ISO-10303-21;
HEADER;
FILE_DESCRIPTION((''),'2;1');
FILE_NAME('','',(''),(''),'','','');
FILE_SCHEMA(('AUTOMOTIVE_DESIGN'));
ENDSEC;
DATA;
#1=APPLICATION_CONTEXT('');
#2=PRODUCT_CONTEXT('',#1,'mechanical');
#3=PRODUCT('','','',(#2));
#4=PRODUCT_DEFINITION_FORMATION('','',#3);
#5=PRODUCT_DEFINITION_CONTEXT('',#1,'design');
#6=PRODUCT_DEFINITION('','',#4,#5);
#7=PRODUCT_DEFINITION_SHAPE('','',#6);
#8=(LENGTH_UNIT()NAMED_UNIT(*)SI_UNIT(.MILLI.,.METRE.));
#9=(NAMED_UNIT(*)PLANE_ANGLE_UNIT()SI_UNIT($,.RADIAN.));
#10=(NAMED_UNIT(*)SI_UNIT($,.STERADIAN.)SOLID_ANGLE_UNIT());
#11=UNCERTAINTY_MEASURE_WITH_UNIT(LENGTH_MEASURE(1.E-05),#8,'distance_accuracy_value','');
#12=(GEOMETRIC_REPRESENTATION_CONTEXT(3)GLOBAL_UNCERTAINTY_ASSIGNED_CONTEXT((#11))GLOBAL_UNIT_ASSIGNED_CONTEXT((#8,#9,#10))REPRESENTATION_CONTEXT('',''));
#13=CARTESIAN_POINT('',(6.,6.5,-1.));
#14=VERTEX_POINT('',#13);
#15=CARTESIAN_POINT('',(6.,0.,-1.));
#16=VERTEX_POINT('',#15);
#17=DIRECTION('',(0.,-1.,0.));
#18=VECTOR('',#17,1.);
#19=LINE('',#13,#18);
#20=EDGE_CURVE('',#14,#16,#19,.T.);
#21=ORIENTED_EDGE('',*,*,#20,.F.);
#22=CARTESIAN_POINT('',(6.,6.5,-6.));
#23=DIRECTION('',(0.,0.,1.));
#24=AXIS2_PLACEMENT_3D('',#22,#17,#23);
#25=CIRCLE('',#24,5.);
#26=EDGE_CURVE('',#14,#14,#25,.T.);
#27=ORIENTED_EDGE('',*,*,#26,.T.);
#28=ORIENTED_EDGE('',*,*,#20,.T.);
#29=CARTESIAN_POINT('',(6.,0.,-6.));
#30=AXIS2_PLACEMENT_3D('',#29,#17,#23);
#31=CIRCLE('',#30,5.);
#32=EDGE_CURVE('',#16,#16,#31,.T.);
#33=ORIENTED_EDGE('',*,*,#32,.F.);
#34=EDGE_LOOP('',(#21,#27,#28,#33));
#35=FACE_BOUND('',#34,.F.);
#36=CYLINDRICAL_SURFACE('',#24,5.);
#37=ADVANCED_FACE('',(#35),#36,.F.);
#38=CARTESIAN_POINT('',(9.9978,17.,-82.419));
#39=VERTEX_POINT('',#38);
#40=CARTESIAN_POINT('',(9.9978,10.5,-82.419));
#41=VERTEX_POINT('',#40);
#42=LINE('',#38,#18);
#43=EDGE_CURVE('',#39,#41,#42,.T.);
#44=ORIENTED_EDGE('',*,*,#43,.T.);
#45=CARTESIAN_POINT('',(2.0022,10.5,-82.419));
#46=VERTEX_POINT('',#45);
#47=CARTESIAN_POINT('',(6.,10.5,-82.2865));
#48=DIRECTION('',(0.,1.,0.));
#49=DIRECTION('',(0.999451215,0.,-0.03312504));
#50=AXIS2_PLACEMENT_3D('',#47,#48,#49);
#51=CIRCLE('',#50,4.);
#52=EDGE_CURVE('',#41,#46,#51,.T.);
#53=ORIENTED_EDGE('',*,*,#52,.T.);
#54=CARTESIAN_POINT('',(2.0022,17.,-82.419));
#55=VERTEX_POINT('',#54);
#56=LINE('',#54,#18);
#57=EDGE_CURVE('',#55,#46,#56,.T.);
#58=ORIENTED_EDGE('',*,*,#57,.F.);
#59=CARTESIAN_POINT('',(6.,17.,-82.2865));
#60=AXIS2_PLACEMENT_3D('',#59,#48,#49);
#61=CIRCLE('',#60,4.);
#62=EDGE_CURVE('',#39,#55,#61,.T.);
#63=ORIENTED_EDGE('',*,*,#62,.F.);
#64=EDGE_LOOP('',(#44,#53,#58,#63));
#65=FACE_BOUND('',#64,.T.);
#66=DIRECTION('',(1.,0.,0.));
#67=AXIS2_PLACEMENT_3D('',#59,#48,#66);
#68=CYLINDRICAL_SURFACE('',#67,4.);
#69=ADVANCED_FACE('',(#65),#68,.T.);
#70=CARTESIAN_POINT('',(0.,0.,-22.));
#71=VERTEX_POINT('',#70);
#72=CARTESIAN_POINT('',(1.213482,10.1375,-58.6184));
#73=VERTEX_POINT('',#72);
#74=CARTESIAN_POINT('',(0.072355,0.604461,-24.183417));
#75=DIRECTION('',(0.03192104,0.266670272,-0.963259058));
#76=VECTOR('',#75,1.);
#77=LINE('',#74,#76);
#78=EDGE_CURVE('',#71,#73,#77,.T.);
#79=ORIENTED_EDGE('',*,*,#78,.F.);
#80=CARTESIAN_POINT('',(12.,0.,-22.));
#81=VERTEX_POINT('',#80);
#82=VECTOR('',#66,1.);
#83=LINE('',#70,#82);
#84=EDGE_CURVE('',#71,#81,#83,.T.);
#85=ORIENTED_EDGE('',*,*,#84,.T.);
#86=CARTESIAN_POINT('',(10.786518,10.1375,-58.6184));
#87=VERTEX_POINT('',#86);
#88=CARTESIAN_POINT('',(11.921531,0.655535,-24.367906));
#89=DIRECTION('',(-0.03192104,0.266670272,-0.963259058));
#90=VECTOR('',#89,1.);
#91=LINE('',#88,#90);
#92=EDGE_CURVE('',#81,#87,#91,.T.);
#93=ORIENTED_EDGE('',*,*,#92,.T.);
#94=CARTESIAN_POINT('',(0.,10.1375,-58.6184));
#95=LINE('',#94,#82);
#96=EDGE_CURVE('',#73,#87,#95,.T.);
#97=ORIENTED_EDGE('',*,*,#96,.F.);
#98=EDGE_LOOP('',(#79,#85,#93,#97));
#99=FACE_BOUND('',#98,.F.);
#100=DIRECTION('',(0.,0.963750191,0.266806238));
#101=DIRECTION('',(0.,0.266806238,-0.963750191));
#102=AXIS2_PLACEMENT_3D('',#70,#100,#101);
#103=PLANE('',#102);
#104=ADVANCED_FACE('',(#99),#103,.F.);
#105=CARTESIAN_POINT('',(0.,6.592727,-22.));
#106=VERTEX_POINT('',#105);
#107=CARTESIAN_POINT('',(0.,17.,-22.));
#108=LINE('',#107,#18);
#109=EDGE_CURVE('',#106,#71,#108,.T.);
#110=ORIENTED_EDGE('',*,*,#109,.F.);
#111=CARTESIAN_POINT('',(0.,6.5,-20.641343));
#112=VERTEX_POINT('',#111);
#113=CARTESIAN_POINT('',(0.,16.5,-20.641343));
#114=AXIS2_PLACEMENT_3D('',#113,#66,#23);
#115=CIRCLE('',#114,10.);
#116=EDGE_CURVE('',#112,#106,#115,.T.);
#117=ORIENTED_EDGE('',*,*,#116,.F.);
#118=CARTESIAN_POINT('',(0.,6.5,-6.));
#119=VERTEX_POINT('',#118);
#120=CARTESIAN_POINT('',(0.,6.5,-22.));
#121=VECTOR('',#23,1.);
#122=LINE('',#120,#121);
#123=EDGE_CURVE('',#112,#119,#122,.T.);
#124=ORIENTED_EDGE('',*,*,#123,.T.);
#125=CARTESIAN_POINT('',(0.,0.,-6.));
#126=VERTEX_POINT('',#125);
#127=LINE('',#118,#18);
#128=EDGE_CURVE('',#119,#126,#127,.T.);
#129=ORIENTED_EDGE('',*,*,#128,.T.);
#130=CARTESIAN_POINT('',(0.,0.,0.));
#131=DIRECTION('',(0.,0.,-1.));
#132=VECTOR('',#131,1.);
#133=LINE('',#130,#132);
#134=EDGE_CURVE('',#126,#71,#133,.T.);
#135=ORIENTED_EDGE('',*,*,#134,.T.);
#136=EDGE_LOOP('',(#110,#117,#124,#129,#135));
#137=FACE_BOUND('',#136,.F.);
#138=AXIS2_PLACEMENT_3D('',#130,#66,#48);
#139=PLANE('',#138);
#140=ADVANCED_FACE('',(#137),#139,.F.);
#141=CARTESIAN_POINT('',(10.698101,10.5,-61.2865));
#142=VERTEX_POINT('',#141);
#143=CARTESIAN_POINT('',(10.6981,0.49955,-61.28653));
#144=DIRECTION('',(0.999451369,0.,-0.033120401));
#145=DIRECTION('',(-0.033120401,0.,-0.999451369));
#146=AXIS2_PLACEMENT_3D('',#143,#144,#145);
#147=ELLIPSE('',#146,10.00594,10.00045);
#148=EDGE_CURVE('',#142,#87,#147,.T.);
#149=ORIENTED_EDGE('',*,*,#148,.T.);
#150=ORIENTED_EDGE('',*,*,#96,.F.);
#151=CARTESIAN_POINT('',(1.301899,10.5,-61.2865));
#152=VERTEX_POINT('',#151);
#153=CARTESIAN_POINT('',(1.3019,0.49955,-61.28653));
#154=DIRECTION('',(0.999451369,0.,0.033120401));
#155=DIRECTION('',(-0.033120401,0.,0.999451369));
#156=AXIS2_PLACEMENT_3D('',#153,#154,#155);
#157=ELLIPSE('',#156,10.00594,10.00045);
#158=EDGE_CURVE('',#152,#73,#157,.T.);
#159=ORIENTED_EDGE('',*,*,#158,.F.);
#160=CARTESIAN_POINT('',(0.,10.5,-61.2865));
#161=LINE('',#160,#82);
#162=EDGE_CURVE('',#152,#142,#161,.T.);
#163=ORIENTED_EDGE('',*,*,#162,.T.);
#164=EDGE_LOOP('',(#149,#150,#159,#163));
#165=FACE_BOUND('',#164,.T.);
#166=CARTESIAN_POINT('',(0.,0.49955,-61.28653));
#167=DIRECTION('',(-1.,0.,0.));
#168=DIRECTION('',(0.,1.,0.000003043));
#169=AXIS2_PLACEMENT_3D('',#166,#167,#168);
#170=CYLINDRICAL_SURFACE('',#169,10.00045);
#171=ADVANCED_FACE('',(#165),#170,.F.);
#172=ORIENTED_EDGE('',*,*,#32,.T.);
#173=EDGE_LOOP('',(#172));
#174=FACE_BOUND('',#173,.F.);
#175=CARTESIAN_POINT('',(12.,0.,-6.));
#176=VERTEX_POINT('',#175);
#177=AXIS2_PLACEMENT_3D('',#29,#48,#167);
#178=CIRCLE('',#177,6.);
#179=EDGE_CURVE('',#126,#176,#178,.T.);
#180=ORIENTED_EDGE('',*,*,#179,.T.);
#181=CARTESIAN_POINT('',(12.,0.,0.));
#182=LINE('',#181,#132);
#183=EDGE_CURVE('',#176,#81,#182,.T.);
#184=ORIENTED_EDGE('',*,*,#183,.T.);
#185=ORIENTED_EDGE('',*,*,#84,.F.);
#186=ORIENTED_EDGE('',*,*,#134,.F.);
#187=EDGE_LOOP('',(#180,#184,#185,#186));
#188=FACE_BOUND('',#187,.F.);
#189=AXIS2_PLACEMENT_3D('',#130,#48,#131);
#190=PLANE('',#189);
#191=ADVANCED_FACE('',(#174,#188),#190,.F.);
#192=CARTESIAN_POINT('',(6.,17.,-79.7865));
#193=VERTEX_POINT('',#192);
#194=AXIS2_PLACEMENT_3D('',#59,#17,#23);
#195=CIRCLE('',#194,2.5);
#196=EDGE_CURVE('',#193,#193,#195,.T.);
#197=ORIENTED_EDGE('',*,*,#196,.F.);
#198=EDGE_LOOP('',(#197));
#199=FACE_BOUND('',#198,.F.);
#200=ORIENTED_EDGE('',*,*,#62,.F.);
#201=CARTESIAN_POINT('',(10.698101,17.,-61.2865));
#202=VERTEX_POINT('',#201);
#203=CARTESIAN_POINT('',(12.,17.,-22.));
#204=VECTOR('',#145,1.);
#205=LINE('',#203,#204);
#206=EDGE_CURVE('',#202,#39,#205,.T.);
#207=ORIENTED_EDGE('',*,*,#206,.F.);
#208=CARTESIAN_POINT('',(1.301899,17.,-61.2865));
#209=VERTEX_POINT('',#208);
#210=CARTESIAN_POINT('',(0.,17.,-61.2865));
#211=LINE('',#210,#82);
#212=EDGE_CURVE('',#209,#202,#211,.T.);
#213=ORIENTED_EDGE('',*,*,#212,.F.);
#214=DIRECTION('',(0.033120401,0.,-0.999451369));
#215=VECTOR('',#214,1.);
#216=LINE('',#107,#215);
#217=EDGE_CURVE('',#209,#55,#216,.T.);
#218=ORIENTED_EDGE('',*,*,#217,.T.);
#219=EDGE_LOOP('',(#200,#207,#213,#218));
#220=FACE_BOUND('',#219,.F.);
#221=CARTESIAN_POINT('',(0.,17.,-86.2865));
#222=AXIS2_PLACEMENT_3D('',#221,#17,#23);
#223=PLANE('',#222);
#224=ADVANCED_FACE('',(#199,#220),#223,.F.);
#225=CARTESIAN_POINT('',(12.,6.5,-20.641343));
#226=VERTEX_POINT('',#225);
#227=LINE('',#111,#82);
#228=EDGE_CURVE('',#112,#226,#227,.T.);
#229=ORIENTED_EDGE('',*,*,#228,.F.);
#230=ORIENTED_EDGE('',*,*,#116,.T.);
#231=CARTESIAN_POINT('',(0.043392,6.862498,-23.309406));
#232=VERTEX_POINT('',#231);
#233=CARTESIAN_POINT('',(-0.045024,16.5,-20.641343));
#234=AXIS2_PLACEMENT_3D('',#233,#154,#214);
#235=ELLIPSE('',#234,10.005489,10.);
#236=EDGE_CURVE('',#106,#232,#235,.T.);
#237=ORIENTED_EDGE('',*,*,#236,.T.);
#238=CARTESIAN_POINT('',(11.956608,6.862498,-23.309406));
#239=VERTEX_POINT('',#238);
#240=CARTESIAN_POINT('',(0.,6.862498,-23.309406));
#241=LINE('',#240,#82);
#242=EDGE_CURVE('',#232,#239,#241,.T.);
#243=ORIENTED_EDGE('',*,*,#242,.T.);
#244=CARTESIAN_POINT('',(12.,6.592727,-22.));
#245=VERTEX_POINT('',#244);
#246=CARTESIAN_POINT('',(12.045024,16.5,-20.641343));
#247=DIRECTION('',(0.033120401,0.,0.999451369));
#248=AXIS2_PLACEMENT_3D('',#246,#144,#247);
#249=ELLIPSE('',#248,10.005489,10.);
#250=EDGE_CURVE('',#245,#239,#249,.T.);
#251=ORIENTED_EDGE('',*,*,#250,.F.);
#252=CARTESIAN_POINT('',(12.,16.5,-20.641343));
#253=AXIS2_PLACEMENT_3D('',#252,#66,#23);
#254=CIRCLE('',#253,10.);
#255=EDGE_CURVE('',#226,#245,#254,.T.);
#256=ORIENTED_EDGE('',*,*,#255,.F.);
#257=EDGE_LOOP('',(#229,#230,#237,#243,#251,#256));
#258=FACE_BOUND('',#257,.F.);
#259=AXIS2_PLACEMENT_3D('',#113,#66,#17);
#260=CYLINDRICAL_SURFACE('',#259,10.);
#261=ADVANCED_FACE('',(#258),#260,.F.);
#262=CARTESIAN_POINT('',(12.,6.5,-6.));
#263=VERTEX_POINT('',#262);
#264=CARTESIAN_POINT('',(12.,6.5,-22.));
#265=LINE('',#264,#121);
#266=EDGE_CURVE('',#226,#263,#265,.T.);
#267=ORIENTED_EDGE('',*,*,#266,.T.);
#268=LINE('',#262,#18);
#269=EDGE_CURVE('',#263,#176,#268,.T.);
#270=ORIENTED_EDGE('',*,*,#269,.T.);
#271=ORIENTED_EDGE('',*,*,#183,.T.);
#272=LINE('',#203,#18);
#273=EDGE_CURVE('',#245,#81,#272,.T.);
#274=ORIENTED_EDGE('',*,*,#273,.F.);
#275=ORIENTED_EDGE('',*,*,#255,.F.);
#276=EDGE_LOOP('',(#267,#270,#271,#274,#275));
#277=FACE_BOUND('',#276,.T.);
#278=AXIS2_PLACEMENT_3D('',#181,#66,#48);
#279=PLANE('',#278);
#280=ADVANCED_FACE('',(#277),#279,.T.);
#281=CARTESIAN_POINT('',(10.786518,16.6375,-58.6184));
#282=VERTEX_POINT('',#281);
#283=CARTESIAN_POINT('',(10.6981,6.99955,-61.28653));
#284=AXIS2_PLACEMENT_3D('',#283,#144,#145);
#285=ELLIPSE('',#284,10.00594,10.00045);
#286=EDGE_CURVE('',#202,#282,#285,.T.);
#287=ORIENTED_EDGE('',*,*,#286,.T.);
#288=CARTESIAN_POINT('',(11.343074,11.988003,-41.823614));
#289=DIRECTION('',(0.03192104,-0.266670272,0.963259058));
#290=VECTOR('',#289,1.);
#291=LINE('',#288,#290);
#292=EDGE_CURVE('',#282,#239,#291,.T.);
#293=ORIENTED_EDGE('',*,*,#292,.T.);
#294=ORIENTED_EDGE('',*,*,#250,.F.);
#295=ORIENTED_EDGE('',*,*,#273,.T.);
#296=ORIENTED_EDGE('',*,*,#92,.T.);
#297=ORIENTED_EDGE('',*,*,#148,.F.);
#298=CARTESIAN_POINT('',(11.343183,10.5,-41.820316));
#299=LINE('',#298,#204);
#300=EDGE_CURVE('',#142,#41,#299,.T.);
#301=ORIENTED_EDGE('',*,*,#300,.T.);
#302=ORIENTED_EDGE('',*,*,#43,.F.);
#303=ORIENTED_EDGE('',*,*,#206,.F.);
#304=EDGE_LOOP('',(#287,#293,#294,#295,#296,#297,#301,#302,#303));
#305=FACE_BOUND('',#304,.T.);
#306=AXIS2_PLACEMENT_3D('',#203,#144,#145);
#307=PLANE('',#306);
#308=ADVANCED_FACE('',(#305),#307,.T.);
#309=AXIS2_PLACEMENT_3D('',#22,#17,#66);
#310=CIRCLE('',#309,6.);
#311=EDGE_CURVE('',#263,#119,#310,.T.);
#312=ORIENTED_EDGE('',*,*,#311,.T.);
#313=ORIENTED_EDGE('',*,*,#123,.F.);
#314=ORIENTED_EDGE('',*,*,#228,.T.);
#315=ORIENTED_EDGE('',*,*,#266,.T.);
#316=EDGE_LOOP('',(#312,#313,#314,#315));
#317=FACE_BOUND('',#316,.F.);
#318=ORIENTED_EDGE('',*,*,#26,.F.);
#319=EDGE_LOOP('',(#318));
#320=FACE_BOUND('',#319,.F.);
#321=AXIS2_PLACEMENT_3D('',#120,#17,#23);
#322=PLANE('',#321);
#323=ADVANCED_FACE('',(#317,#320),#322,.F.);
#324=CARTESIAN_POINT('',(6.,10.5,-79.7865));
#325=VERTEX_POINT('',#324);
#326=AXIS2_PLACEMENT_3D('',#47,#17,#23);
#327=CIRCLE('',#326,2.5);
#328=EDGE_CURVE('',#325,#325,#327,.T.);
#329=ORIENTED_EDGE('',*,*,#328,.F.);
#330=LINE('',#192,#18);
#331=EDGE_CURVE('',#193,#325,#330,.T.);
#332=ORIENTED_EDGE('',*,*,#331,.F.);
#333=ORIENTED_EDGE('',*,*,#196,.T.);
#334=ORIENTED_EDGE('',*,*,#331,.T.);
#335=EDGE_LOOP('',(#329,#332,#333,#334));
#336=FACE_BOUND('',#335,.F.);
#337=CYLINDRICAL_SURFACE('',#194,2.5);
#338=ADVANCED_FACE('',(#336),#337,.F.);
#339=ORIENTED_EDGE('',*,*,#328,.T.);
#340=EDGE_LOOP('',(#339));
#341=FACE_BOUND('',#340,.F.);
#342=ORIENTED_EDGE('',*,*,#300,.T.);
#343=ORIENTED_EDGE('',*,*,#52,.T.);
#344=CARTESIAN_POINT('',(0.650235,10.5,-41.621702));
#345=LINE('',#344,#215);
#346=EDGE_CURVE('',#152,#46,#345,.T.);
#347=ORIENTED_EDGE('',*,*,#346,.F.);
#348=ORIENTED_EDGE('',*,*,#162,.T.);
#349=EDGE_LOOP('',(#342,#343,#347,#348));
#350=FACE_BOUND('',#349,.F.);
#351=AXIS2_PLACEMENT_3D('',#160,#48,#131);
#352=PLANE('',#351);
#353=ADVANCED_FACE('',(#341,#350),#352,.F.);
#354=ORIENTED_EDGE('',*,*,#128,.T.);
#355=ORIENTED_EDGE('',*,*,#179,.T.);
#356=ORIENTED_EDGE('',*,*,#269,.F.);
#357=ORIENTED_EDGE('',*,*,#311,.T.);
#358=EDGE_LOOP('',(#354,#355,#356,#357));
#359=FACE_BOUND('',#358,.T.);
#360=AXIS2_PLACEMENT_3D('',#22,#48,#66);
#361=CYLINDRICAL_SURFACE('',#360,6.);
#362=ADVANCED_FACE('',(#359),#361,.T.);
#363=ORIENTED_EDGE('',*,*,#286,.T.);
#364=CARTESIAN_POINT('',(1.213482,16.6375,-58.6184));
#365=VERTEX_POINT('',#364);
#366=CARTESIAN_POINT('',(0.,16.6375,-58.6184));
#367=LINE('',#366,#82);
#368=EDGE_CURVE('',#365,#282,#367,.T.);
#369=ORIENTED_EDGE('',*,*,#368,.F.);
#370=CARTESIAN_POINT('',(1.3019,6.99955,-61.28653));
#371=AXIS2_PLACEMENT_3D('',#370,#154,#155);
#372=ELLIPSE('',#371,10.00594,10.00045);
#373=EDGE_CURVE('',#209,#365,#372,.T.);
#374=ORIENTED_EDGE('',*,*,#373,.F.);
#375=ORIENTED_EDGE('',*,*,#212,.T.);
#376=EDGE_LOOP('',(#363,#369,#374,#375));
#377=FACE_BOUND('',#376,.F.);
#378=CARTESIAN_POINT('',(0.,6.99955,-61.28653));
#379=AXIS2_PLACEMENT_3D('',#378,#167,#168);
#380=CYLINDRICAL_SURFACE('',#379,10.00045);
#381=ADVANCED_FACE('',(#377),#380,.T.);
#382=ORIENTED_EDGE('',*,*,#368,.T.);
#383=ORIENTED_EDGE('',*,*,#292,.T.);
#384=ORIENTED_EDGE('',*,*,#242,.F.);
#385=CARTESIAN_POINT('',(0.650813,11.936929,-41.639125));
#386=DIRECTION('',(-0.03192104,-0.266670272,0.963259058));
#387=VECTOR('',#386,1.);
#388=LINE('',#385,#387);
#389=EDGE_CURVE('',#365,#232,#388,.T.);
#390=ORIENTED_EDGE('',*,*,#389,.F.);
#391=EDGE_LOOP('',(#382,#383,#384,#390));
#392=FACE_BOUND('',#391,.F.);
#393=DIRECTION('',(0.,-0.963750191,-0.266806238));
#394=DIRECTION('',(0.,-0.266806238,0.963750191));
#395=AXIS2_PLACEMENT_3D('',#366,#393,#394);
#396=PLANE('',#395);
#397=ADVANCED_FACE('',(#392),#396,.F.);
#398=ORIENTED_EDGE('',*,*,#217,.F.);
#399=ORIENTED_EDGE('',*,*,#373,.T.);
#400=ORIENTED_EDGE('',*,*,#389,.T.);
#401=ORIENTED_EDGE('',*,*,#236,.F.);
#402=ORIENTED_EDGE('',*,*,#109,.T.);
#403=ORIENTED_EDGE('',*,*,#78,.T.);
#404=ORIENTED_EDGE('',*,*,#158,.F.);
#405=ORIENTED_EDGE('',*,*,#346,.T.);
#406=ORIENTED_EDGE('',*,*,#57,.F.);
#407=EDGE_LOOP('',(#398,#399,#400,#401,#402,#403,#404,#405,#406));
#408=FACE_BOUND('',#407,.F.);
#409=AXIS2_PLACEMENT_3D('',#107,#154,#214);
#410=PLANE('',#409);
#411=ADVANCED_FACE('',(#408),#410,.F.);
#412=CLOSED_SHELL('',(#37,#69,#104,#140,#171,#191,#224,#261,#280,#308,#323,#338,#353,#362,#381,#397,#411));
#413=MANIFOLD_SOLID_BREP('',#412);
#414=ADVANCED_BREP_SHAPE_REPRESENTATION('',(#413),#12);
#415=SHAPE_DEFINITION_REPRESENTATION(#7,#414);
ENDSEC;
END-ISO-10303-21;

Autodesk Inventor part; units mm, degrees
ref_plane "YZ Plane" through (0, 0, 0) normal (1, 0, 0) x (0, 1, 0)
ref_plane "XZ Plane" through (0, 0, 0) normal (0, 1, 0) x (-1, 0, 0)
ref_plane "XY Plane" through (0, 0, 0) normal (0, 0, 1) x (1, 0, 0)
sketch "Sketch19" plane through (0, 0, 0) normal (1, 0, 0) x (0, 1, 0)
  line L0 (0, 0) -> (0, -22)
  line L1 (0, -22) -> (10.1375, -58.6184)
  line L2 (10.5, -61.2865) -> (10.5, -86.2865)
  line L3 (10.5, -86.2865) -> (17, -86.2865)
  line L4 (17, -86.2865) -> (17, -61.2865)
  line L5 (16.6375, -58.6184) -> (6.5, -22)
  line L6 (6.5, -22) -> (6.5, 0)
  line L7 (6.5, 0) -> (0, 0)
  arc A0 (10.5, -61.2865) -> (10.1375, -58.6184) centre (0.5, -61.2865) ccw
  arc A1 (17, -61.2865) -> (16.6375, -58.6184) centre (7, -61.2865) ccw
  point P0 (16.909, -59.9402)
  dimension "d79" = 10
  dimension "d80" = 10
  dimension "d82" = 6.5
  dimension "d83" = 10.5
  dimension "d84" = 25
  dimension "d85" = 22
  dimension "d86" = 37.9402
extrude "Extrusion7" add sketch "Sketch19" along normal blind 12
sketch "Sketch20" plane through (0, 6.5, 0) normal (0, 1, 0) x (1, 0, 0)
  circle A0 centre (6, 6) radius 6
  line L0 (0, 0) -> (12, 0) projected
  line L1 (0, 0) -> (12, 0) projected
  line L2 (0, 0) -> (0, 6)
  line L3 (0, 0) -> (0, 22) projected
  line L4 (12, 0) -> (12, 6)
  point P0 (6, 0)
  point P1 (6, 0)
  dimension "d89" = 12
extrude "Extrusion8" cut sketch "Sketch20" against normal blind 12 contours L4 L0 A0 | A0 L0 L2
sketch "Sketch21" plane through (0, 17, -61.2865) normal (0, 1, 0) x (1, 0, 0)
  circle A0 centre (6, 21) radius 4
  line L0 (0, 25) -> (12, 25) projected
  arc A1 (0, -55.2865) -> (12, -55.2865) centre (6, -55.2865) ccw projected
  line L1 (12, -39.2865) -> (12, -55.2865) projected
  line L2 (0, -39.2865) -> (12, -39.2865) projected
  line L3 (0, -39.2865) -> (0, -55.2865) projected
  line L4 (0, -39.2865) -> (2.0022, 21.1325)
  line L5 (12, -39.2865) -> (12, -2.6681) projected
  line L6 (12, -39.2865) -> (9.9978, 21.1325)
  line L7 (0, 25) -> (0, 0) projected
  line L8 (0, -39.2865) -> (0, 25)
  line L9 (0, 25) -> (6, 25)
  line L10 (6, 25) -> (12, 25)
  line L11 (12, 0) -> (12, 25) projected
  line L12 (12, 25) -> (12, -39.2865)
  point P0 (0, -61.2865)
  point P1 (12, 0)
  dimension "d93" = 8
extrude "Extrusion9" cut sketch "Sketch21" against normal up to surface (17 mm away) contours A0 L0 L11 L12 L5 L6 | L4 L8 L7 L0 A0
sketch "Sketch22" plane through (6, 6.5, -6) normal (0, 1, 0) x (1, 0, 0)
  arc A0 (-6, 0) -> (6, 0) centre (0, 0) ccw projected
  point P0 (-6, -6)
hole "Hole1" at (6, 6.5, -6) direction (0, -1, 0) diameter 10 end through all
sketch "Sketch23" plane through (6, 17, -82.2865) normal (0, 1, 0) x (1, 0, 0)
  arc A0 (3.9978, 0.1325) -> (-3.9978, 0.1325) centre (0, 0) ccw projected
  point P0 (-6, -82.2865)
hole "Hole2" at (6, 17, -82.2865) direction (0, -1, 0) diameter 5 end through all
fillet "Fillet1" radius 10 1 edges at (6, 6.5, -22)
properties part number "47A"
